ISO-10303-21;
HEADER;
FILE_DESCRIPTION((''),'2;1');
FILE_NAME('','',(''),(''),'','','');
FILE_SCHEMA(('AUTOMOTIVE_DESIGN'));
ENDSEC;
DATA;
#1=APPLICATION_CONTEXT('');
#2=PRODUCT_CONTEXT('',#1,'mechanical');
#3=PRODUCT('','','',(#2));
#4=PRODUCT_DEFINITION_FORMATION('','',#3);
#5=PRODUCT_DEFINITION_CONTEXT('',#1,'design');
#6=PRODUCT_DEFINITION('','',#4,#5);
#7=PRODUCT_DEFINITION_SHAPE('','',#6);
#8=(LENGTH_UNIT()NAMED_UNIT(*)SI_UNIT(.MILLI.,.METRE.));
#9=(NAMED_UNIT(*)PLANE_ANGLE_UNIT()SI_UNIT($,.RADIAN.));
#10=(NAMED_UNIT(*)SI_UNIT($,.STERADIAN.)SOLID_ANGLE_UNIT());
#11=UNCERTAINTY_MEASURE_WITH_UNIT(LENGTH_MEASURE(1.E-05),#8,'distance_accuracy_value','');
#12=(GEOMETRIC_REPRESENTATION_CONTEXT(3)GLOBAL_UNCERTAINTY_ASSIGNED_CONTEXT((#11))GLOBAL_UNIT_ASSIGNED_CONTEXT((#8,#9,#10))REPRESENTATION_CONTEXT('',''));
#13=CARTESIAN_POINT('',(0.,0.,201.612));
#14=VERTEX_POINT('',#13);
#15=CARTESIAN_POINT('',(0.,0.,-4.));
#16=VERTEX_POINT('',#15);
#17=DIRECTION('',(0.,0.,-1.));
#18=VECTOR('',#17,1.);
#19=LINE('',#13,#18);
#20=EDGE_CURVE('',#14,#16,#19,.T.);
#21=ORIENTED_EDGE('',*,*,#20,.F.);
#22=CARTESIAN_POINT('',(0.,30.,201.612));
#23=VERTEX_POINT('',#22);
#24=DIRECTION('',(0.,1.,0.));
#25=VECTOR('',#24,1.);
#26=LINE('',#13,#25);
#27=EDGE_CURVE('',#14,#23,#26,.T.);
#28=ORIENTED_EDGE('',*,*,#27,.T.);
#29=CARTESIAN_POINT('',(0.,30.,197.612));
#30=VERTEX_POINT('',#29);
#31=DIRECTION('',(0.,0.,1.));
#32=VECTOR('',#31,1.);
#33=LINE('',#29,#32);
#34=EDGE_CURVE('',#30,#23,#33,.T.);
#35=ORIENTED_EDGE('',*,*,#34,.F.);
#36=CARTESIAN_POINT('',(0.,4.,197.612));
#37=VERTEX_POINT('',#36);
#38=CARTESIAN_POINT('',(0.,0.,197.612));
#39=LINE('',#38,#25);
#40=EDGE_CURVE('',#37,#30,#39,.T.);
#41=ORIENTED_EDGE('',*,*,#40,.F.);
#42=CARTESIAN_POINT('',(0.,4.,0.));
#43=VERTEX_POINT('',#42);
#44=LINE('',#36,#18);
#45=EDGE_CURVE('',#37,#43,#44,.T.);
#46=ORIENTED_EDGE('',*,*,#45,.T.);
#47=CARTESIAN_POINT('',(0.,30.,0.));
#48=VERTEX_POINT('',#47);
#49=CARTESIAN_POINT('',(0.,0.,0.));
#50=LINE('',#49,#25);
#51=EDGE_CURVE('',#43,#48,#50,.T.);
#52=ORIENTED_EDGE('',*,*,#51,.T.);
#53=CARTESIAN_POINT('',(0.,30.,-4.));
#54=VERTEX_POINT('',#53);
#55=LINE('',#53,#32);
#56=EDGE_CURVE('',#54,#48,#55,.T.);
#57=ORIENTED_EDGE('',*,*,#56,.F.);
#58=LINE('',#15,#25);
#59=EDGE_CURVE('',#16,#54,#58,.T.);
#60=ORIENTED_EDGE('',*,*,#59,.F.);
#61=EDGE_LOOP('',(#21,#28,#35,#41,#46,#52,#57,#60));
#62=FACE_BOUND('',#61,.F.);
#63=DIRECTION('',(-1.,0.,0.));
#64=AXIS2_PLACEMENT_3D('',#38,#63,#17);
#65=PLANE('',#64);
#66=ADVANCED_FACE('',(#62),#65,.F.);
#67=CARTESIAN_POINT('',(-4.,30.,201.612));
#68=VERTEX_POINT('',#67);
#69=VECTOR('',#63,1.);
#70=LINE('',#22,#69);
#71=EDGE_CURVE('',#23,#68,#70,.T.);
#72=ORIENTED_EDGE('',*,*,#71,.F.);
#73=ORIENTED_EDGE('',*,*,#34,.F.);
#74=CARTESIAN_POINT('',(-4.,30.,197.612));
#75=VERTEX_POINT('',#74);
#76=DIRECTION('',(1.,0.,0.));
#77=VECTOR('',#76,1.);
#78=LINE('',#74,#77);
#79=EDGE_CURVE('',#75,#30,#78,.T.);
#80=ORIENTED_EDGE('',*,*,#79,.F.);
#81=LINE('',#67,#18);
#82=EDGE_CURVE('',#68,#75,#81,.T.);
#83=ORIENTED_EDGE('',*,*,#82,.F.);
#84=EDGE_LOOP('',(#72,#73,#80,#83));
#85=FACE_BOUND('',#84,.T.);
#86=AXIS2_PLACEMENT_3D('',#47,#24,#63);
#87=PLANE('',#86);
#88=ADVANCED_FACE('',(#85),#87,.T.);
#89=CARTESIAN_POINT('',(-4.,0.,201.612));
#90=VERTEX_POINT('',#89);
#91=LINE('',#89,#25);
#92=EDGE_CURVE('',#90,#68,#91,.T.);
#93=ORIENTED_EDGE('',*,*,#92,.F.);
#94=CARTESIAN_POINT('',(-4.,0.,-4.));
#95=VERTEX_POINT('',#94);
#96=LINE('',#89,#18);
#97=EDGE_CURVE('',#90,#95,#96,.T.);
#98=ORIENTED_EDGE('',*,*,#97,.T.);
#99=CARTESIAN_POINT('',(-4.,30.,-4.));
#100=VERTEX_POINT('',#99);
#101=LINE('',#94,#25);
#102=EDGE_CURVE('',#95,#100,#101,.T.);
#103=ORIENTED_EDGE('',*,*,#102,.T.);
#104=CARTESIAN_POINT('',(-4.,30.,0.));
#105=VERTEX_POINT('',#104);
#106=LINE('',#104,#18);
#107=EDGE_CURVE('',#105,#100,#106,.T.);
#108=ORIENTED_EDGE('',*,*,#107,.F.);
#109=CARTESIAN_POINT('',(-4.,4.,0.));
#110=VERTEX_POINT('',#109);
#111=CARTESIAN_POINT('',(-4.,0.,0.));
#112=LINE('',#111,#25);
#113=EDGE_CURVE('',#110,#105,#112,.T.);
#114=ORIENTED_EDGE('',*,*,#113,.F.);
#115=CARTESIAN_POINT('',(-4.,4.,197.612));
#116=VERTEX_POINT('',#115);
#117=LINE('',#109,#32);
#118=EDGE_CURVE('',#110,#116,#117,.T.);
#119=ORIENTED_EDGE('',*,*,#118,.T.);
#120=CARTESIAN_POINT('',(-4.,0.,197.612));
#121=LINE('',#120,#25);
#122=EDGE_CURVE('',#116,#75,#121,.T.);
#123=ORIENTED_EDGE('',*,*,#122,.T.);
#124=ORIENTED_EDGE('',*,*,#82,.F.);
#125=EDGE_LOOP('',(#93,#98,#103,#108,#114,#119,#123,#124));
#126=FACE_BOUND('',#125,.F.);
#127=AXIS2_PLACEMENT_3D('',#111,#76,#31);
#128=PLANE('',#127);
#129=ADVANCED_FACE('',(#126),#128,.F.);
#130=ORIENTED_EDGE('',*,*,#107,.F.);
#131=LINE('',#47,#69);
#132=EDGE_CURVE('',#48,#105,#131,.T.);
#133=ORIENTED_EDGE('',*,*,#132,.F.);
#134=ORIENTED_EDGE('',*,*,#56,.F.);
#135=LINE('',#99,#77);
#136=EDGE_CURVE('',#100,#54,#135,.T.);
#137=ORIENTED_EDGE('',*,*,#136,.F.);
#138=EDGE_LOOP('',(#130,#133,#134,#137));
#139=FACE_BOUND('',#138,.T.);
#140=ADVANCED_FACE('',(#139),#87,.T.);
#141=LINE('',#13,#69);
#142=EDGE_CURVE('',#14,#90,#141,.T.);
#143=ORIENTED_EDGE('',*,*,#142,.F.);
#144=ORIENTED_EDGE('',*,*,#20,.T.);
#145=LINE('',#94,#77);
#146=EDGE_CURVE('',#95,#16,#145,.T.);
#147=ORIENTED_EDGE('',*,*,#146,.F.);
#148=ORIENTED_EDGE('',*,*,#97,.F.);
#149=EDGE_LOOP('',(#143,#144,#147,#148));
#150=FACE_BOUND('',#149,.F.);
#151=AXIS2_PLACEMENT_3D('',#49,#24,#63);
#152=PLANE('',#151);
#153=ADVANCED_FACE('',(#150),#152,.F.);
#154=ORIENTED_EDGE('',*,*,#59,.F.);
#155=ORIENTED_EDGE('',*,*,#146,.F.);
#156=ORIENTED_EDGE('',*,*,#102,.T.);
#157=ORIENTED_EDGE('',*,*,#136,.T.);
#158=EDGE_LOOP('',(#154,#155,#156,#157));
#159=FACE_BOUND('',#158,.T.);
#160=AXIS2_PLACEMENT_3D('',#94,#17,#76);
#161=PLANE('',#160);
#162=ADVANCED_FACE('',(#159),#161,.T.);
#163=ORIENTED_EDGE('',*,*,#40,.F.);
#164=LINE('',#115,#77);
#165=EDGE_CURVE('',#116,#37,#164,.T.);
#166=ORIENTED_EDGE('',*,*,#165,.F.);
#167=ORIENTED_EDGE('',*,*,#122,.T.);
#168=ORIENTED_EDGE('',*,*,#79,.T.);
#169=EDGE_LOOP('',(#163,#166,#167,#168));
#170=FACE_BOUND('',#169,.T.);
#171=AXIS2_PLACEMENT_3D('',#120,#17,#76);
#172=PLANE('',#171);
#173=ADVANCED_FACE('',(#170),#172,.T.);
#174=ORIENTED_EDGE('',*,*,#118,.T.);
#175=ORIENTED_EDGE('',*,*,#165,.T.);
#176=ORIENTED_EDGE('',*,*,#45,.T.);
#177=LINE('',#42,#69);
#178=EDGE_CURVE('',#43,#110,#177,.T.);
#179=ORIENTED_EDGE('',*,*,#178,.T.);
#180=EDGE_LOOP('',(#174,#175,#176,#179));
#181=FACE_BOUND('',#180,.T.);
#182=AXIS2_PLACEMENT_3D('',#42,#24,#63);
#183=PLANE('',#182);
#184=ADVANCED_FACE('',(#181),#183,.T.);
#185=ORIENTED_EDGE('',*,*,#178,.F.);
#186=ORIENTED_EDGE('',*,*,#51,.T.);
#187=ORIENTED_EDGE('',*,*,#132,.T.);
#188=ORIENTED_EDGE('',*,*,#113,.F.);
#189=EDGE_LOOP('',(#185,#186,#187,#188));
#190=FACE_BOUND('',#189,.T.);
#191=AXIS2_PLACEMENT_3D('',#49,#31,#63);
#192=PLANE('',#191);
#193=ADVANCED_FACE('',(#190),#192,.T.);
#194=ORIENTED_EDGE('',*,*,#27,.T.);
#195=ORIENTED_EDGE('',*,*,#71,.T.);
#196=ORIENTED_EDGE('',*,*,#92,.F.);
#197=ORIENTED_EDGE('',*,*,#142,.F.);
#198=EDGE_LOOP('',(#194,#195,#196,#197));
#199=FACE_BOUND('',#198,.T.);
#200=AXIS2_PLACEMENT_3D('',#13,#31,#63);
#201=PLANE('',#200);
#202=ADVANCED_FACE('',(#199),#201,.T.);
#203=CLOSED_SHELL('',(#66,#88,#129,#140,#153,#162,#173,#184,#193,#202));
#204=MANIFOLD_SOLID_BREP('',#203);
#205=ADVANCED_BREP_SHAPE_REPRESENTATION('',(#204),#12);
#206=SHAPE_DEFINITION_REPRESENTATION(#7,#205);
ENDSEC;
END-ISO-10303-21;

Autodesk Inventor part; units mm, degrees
ref_plane "YZ Plane" through (0, 0, 0) normal (1, 0, 0) x (0, 1, 0)
ref_plane "XZ Plane" through (0, 0, 0) normal (0, 1, 0) x (-1, 0, 0)
ref_plane "XY Plane" through (0, 0, 0) normal (0, 0, 1) x (1, 0, 0)
sketch "Sketch1" plane through (0, 0, 0) normal (0, 1, 0) x (-1, 0, 0)
  line L0 (0, 0) -> (4, 0)
  line L1 (4, 0) -> (4, 197.612)
  line L2 (4, 197.612) -> (0, 197.612)
  line L3 (0, 197.612) -> (0, 0)
  line L4 (4, 197.612) -> (0, 197.612)
  line L5 (0, 197.612) -> (0, 201.612)
  line L6 (0, 201.612) -> (4, 201.612)
  line L7 (4, 201.612) -> (4, 197.612)
  line L8 (0, 0) -> (4, 0)
  line L9 (4, 0) -> (4, -4)
  line L10 (4, -4) -> (0, -4)
  line L11 (0, -4) -> (0, 0)
  dimension "d0" = 4
  dimension "d1" = 197.612
  dimension "d2" = 4
  dimension "d3" = 4
  dimension "d4" = 4
  dimension "d5" = 4
extrude "Extrusion1" add sketch "Sketch1" along normal blind 30 contours L0 L9 L10 L11 | L5 L6 L7 L2
extrude "Extrusion2" add sketch "Sketch1" along normal blind 4 contours L3 L2 L1 L0
properties part number "brace"
